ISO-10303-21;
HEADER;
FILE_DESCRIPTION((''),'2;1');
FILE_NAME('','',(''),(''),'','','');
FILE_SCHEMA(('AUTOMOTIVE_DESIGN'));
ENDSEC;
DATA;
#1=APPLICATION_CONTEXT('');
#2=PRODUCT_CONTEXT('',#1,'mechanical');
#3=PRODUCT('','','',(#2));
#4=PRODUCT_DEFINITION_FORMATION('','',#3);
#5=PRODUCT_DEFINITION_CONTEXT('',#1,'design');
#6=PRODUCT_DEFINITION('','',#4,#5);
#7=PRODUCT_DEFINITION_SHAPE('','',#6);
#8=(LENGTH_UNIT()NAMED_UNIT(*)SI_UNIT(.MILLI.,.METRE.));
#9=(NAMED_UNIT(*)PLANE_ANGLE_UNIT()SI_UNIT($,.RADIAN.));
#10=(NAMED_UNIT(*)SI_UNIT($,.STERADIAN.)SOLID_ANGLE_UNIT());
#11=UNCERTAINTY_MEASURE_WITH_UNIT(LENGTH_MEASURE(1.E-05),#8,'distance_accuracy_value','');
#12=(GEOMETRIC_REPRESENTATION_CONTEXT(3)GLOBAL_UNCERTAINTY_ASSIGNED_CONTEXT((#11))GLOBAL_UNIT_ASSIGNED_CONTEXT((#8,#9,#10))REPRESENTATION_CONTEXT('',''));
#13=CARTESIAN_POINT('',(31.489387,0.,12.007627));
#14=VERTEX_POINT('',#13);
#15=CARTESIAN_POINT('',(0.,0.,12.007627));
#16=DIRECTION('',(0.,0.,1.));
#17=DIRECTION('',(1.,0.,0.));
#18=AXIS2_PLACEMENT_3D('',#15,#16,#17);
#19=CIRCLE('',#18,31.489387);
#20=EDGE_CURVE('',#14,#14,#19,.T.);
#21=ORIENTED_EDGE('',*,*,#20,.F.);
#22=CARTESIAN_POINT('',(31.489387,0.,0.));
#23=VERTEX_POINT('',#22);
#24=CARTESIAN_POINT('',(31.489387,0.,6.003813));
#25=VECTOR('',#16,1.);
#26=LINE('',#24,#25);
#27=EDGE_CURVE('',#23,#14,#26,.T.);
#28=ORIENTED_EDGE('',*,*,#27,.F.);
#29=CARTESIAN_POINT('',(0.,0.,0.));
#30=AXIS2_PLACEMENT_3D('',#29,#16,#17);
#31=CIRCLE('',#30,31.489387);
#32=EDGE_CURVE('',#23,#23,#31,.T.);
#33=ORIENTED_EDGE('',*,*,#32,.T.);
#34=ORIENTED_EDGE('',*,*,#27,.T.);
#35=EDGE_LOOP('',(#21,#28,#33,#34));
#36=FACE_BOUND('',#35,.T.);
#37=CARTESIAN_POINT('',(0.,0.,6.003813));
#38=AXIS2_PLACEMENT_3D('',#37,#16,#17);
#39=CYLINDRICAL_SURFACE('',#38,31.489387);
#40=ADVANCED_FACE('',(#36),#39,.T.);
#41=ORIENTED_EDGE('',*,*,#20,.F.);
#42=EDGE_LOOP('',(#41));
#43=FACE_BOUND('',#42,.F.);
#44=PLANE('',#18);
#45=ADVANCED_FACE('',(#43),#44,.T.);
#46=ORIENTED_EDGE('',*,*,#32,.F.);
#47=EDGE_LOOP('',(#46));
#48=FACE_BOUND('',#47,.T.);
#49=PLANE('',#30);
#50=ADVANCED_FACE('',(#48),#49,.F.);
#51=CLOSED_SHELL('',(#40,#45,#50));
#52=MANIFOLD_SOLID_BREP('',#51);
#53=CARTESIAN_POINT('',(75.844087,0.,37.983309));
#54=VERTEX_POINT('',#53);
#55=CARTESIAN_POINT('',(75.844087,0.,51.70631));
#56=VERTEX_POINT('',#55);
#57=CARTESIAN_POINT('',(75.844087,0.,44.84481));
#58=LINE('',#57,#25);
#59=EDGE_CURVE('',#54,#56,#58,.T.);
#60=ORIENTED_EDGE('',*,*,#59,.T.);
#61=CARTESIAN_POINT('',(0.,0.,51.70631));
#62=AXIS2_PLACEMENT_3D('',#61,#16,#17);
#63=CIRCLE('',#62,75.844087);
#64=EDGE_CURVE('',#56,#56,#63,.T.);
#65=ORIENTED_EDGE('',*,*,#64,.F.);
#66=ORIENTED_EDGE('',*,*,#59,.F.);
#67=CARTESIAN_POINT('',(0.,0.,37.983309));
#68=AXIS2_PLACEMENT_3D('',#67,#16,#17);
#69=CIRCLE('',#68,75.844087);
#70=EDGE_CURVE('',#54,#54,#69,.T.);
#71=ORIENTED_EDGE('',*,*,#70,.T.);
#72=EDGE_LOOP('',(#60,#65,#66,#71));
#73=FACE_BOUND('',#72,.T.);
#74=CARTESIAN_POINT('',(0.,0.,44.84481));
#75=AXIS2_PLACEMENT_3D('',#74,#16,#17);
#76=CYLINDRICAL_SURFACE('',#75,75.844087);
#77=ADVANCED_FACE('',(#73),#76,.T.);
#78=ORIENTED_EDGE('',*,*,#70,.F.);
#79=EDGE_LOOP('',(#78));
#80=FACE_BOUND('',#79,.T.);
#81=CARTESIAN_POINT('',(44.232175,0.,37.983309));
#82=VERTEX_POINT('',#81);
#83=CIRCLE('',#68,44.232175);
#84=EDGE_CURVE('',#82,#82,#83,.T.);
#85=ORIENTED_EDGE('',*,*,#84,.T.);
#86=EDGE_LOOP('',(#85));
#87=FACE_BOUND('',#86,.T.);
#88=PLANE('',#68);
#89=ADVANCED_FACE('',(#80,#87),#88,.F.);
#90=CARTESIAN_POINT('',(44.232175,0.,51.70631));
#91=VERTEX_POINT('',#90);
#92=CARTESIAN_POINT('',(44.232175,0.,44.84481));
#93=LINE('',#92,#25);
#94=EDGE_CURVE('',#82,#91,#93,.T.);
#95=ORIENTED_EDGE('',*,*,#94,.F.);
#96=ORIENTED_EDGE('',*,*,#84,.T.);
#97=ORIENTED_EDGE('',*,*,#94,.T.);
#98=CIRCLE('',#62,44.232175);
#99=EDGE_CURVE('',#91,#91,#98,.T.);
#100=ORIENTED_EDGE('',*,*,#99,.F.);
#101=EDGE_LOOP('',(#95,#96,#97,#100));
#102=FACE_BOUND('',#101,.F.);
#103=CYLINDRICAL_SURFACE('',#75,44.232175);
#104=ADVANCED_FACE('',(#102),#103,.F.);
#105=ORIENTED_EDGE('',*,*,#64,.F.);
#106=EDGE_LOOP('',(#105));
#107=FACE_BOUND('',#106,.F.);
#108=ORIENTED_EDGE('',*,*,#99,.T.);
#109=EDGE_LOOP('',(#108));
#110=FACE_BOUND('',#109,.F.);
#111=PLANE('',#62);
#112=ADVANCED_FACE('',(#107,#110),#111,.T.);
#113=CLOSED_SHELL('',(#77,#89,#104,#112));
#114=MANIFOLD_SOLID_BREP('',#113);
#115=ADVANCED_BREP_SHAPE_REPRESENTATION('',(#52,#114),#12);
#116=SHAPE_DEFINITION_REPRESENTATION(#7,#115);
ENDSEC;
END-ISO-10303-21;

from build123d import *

# Parameters (mm, degrees)
F0_W   = 31.6119119525
F0_H   = 13.7230008841
F0_W_2 = 31.4893871546
F0_H_2 = 12.0076267049


with BuildPart() as f1:
    # F0 (on Front) → F1 (revolve)
    with BuildSketch(Plane.XZ):
        with Locations((60.0381307304, 44.8448099196)):
            Rectangle(F0_W, F0_H)
    revolve(axis=Axis((0, 0, 35.1651906967), (0, 0, 1)))


with BuildPart() as f1b:
    # F0 (on Front) → F1, piece 2 (revolve)
    with BuildSketch(Plane.XZ):
        with Locations((15.7446935773, 6.0038133524)):
            Rectangle(F0_W_2, F0_H_2)
    revolve(axis=Axis((0, 0, 35.1651906967), (0, 0, 1)))


solid = Compound([f1.part, f1b.part])
